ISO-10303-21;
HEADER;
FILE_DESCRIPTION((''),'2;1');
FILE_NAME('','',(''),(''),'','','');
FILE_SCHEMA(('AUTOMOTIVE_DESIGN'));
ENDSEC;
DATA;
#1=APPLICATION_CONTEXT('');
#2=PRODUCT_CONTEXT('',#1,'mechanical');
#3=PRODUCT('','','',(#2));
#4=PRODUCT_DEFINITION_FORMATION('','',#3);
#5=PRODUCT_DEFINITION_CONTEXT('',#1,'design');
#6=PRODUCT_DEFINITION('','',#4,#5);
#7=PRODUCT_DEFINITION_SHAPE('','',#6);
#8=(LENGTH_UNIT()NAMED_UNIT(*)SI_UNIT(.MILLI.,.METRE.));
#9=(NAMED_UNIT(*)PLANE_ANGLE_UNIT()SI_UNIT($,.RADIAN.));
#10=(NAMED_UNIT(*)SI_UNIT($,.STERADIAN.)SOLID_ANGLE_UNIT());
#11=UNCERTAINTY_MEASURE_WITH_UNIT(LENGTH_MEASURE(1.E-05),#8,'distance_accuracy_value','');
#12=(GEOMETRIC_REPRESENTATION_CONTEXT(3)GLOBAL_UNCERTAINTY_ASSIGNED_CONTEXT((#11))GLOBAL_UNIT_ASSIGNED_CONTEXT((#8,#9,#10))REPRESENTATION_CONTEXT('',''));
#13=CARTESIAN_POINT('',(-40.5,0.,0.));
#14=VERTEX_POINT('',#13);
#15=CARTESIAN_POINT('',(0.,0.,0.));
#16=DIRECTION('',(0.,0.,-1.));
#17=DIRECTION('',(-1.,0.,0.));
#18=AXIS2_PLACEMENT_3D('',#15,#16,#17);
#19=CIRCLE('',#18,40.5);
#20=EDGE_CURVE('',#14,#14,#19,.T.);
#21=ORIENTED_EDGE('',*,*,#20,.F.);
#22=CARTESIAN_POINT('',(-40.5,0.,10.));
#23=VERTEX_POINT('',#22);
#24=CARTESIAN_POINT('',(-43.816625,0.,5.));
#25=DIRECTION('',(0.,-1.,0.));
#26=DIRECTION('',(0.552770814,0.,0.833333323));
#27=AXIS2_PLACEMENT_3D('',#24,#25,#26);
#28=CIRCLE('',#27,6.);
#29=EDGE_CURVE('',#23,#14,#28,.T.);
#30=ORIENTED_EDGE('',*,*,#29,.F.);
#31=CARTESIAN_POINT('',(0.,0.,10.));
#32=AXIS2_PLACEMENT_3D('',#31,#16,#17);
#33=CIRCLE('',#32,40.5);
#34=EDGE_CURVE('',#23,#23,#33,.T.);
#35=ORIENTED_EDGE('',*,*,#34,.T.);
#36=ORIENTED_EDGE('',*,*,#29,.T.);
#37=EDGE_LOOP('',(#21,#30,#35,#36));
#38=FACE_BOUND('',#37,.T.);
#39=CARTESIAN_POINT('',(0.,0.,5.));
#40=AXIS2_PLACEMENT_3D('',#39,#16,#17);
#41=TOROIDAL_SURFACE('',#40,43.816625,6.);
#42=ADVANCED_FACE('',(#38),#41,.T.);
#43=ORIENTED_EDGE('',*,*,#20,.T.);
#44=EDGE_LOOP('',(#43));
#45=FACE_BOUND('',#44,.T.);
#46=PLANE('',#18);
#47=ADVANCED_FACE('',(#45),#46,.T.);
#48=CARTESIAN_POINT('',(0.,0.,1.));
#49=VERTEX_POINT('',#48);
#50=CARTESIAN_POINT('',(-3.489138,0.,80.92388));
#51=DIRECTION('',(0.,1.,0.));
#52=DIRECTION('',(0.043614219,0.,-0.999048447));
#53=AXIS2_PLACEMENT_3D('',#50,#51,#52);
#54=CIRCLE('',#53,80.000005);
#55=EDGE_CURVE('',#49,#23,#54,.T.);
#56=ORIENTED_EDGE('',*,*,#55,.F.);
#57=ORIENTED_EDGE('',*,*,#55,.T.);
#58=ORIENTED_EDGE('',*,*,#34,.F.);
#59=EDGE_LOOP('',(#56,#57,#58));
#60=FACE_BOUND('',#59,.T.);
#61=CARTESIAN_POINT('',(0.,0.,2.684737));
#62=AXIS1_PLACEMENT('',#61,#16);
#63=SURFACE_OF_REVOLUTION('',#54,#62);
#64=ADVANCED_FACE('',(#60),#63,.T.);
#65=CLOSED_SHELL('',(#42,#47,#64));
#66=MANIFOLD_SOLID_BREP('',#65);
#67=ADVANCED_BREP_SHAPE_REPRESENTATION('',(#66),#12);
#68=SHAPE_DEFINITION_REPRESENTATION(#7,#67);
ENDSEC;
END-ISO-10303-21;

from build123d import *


with BuildPart() as f1:
    # F0 (on Front) → F1 (revolve)
    with BuildSketch(Plane.XZ):
        with BuildLine():
            Line((-40.5, 0), (0, 0))
            Line((0, 0), (0, 1))
            ThreePointArc((0, 1), (-20.843575, 2.828911), (-40.5, 10))
            ThreePointArc((-40.5, 10), (-49.816625, 5), (-40.5, 0))
        make_face()
    revolve(axis=Axis((0, 0, 2.684737), (0, 0, -1)))


solid = f1.part
